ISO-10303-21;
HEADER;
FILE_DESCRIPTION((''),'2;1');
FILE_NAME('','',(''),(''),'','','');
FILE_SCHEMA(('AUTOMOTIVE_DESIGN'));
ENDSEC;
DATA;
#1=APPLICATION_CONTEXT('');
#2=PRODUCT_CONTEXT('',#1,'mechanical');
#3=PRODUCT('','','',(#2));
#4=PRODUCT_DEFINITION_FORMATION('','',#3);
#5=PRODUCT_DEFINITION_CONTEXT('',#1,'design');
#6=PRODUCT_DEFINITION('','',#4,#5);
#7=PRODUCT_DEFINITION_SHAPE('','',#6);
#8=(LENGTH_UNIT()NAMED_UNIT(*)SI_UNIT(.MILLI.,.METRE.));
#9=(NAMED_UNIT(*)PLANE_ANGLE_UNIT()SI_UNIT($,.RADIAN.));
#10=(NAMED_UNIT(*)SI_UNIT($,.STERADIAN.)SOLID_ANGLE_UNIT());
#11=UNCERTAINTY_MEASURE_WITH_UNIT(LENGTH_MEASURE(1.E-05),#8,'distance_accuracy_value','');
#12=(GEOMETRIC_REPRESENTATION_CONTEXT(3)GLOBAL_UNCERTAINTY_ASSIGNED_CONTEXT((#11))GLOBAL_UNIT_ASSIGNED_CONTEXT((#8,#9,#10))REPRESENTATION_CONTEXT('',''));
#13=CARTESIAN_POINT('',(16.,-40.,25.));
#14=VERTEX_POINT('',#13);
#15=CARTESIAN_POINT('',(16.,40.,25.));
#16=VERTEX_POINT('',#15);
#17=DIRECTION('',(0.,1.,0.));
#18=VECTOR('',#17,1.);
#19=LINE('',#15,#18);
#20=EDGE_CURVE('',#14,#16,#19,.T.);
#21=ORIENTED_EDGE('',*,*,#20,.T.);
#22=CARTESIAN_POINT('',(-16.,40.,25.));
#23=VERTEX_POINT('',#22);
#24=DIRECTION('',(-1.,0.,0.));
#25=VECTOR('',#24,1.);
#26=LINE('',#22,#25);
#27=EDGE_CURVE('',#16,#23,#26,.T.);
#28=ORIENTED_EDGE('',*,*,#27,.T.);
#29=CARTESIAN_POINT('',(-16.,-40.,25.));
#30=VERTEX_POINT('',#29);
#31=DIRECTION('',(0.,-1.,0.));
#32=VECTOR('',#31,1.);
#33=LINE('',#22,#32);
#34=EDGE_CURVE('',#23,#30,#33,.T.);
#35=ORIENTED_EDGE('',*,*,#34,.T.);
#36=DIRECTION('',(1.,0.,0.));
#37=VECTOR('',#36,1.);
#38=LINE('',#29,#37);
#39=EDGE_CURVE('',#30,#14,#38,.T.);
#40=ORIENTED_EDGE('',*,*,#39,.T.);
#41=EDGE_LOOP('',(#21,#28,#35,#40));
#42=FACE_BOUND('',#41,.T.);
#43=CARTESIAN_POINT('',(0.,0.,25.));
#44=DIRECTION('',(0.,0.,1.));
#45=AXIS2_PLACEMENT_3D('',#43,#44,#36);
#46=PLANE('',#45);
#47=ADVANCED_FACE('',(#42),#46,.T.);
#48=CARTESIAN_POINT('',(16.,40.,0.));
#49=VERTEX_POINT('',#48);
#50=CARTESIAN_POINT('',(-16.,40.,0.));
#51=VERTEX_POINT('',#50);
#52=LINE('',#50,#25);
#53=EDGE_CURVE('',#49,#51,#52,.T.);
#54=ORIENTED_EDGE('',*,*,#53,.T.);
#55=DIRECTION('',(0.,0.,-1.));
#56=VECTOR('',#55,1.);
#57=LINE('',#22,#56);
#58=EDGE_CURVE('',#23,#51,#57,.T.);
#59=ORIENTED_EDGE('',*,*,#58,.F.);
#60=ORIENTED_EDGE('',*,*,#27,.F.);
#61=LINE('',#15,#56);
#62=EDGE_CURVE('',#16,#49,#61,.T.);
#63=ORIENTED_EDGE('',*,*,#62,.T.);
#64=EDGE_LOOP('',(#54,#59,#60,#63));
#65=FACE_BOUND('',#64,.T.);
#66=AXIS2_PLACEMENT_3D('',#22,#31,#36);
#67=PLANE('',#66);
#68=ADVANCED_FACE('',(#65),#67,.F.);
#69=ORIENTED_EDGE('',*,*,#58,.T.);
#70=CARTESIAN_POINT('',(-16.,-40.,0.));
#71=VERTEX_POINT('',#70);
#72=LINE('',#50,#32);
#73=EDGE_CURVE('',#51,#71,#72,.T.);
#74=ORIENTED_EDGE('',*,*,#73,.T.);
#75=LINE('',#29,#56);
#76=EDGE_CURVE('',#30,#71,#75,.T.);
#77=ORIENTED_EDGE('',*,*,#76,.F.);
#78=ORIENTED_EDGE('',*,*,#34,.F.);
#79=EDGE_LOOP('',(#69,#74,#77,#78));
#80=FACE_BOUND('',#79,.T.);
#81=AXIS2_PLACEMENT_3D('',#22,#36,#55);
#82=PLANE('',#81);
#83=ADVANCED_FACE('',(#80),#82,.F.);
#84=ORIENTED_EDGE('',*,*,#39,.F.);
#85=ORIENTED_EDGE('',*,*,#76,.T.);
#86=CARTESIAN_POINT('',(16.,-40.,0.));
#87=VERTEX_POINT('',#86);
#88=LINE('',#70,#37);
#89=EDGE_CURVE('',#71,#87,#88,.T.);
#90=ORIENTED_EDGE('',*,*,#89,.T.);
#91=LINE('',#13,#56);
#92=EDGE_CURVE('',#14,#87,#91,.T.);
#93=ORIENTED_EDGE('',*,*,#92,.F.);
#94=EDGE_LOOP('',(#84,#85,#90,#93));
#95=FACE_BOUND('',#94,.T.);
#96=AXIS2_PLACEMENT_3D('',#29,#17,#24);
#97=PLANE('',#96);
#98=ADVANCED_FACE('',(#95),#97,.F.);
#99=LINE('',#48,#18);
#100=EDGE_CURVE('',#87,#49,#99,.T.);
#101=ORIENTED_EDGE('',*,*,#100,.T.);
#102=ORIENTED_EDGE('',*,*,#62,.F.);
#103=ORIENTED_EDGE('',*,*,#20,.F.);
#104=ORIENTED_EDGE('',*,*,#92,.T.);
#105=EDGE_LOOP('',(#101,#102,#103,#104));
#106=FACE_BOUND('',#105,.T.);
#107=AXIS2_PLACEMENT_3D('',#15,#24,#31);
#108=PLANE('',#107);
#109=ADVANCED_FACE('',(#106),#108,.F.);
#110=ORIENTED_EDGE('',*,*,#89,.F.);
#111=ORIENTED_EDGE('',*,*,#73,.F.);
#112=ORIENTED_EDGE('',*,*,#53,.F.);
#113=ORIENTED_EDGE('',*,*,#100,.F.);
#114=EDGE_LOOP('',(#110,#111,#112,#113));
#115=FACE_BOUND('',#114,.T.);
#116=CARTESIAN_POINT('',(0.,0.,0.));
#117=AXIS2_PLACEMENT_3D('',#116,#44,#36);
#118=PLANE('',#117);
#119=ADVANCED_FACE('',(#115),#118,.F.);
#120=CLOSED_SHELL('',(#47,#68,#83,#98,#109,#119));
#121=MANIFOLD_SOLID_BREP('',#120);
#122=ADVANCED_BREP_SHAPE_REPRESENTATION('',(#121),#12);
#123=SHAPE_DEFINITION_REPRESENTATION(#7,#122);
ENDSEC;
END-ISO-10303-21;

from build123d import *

# Parameters (mm, degrees)
SKETCH1_W           = 32
SKETCH1_H           = 80
BOSS_EXTRUDE1_DEPTH = 25


with BuildPart() as part:
    # Sketch1 → Boss-Extrude1 (new body)
    with BuildSketch(Plane.XY):
        Rectangle(SKETCH1_W, SKETCH1_H)
    extrude(amount=BOSS_EXTRUDE1_DEPTH)


solid = part.part
